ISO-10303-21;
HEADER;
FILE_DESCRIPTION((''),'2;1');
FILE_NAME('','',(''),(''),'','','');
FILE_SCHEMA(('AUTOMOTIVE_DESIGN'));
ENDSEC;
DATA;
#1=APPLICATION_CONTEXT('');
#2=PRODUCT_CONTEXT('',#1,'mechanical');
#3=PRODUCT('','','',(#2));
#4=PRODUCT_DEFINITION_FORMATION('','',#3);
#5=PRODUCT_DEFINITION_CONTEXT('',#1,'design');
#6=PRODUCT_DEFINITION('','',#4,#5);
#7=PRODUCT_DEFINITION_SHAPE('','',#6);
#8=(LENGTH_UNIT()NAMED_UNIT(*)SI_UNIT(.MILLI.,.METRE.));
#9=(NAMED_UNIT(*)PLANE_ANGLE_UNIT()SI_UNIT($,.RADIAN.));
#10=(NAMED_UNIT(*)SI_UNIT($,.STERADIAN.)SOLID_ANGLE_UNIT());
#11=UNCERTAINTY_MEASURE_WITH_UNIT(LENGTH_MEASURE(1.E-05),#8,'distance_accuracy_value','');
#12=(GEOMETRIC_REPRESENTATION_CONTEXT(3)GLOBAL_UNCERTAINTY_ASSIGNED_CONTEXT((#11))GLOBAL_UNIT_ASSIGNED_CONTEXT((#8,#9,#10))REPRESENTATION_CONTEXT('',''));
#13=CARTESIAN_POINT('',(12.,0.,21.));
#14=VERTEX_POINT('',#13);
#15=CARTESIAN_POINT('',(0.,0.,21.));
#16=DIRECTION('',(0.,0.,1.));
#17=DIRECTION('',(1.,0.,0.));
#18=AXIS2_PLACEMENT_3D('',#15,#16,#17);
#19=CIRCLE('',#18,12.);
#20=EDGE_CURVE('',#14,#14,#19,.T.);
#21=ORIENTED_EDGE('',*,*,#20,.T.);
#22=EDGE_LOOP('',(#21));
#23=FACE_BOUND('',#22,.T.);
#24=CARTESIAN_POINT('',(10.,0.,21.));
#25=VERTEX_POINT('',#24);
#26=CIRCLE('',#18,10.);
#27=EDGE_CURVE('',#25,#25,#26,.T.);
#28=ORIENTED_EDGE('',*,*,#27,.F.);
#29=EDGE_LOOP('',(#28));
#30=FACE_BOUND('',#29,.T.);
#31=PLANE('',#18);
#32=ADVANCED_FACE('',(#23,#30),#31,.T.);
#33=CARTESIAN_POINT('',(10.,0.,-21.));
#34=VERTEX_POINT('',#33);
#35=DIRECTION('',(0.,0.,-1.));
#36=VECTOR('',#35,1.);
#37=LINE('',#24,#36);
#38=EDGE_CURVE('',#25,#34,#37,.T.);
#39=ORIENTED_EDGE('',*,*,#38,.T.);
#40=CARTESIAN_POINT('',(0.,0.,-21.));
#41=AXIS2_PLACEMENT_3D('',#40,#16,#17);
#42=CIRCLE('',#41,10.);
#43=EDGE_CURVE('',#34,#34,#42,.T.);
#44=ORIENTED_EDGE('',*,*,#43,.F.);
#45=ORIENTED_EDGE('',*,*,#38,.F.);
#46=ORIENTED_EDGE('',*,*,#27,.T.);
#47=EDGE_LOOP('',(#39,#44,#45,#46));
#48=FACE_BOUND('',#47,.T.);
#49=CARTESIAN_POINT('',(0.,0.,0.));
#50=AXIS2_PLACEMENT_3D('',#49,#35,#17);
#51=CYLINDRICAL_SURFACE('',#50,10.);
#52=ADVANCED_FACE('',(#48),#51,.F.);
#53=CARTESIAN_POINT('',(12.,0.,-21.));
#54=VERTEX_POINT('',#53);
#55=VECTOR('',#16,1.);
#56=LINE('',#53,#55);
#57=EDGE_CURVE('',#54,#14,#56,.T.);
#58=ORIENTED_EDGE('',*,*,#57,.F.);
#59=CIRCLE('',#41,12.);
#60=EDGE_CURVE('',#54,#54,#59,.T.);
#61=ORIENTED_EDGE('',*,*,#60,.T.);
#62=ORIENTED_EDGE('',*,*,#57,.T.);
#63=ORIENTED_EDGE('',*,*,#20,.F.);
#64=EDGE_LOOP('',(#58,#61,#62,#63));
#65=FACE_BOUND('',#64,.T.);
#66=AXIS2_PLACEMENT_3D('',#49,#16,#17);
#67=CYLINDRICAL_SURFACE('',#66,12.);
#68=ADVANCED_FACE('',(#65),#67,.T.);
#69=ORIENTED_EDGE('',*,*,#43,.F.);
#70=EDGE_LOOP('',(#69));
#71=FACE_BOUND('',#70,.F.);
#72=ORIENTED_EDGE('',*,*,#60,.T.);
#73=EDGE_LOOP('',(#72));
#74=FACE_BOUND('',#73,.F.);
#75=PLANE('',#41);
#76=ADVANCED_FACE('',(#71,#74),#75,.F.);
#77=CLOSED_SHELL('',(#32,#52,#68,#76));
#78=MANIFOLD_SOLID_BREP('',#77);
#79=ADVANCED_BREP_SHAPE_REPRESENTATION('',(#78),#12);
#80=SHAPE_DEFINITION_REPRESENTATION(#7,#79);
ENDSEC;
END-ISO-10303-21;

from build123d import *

# Parameters (mm, degrees)
SKETCH1_R           = 12
SKETCH1_R_2         = 10
EXTRUDE_THIN1_DEPTH = 21


with BuildPart() as part:
    # Sketch1 → Extrude-Thin1 (new body, symmetric)
    with BuildSketch(Plane.XY):
        Circle(SKETCH1_R)
        Circle(SKETCH1_R_2, mode=Mode.SUBTRACT)
    extrude(amount=EXTRUDE_THIN1_DEPTH, both=True)


solid = part.part
